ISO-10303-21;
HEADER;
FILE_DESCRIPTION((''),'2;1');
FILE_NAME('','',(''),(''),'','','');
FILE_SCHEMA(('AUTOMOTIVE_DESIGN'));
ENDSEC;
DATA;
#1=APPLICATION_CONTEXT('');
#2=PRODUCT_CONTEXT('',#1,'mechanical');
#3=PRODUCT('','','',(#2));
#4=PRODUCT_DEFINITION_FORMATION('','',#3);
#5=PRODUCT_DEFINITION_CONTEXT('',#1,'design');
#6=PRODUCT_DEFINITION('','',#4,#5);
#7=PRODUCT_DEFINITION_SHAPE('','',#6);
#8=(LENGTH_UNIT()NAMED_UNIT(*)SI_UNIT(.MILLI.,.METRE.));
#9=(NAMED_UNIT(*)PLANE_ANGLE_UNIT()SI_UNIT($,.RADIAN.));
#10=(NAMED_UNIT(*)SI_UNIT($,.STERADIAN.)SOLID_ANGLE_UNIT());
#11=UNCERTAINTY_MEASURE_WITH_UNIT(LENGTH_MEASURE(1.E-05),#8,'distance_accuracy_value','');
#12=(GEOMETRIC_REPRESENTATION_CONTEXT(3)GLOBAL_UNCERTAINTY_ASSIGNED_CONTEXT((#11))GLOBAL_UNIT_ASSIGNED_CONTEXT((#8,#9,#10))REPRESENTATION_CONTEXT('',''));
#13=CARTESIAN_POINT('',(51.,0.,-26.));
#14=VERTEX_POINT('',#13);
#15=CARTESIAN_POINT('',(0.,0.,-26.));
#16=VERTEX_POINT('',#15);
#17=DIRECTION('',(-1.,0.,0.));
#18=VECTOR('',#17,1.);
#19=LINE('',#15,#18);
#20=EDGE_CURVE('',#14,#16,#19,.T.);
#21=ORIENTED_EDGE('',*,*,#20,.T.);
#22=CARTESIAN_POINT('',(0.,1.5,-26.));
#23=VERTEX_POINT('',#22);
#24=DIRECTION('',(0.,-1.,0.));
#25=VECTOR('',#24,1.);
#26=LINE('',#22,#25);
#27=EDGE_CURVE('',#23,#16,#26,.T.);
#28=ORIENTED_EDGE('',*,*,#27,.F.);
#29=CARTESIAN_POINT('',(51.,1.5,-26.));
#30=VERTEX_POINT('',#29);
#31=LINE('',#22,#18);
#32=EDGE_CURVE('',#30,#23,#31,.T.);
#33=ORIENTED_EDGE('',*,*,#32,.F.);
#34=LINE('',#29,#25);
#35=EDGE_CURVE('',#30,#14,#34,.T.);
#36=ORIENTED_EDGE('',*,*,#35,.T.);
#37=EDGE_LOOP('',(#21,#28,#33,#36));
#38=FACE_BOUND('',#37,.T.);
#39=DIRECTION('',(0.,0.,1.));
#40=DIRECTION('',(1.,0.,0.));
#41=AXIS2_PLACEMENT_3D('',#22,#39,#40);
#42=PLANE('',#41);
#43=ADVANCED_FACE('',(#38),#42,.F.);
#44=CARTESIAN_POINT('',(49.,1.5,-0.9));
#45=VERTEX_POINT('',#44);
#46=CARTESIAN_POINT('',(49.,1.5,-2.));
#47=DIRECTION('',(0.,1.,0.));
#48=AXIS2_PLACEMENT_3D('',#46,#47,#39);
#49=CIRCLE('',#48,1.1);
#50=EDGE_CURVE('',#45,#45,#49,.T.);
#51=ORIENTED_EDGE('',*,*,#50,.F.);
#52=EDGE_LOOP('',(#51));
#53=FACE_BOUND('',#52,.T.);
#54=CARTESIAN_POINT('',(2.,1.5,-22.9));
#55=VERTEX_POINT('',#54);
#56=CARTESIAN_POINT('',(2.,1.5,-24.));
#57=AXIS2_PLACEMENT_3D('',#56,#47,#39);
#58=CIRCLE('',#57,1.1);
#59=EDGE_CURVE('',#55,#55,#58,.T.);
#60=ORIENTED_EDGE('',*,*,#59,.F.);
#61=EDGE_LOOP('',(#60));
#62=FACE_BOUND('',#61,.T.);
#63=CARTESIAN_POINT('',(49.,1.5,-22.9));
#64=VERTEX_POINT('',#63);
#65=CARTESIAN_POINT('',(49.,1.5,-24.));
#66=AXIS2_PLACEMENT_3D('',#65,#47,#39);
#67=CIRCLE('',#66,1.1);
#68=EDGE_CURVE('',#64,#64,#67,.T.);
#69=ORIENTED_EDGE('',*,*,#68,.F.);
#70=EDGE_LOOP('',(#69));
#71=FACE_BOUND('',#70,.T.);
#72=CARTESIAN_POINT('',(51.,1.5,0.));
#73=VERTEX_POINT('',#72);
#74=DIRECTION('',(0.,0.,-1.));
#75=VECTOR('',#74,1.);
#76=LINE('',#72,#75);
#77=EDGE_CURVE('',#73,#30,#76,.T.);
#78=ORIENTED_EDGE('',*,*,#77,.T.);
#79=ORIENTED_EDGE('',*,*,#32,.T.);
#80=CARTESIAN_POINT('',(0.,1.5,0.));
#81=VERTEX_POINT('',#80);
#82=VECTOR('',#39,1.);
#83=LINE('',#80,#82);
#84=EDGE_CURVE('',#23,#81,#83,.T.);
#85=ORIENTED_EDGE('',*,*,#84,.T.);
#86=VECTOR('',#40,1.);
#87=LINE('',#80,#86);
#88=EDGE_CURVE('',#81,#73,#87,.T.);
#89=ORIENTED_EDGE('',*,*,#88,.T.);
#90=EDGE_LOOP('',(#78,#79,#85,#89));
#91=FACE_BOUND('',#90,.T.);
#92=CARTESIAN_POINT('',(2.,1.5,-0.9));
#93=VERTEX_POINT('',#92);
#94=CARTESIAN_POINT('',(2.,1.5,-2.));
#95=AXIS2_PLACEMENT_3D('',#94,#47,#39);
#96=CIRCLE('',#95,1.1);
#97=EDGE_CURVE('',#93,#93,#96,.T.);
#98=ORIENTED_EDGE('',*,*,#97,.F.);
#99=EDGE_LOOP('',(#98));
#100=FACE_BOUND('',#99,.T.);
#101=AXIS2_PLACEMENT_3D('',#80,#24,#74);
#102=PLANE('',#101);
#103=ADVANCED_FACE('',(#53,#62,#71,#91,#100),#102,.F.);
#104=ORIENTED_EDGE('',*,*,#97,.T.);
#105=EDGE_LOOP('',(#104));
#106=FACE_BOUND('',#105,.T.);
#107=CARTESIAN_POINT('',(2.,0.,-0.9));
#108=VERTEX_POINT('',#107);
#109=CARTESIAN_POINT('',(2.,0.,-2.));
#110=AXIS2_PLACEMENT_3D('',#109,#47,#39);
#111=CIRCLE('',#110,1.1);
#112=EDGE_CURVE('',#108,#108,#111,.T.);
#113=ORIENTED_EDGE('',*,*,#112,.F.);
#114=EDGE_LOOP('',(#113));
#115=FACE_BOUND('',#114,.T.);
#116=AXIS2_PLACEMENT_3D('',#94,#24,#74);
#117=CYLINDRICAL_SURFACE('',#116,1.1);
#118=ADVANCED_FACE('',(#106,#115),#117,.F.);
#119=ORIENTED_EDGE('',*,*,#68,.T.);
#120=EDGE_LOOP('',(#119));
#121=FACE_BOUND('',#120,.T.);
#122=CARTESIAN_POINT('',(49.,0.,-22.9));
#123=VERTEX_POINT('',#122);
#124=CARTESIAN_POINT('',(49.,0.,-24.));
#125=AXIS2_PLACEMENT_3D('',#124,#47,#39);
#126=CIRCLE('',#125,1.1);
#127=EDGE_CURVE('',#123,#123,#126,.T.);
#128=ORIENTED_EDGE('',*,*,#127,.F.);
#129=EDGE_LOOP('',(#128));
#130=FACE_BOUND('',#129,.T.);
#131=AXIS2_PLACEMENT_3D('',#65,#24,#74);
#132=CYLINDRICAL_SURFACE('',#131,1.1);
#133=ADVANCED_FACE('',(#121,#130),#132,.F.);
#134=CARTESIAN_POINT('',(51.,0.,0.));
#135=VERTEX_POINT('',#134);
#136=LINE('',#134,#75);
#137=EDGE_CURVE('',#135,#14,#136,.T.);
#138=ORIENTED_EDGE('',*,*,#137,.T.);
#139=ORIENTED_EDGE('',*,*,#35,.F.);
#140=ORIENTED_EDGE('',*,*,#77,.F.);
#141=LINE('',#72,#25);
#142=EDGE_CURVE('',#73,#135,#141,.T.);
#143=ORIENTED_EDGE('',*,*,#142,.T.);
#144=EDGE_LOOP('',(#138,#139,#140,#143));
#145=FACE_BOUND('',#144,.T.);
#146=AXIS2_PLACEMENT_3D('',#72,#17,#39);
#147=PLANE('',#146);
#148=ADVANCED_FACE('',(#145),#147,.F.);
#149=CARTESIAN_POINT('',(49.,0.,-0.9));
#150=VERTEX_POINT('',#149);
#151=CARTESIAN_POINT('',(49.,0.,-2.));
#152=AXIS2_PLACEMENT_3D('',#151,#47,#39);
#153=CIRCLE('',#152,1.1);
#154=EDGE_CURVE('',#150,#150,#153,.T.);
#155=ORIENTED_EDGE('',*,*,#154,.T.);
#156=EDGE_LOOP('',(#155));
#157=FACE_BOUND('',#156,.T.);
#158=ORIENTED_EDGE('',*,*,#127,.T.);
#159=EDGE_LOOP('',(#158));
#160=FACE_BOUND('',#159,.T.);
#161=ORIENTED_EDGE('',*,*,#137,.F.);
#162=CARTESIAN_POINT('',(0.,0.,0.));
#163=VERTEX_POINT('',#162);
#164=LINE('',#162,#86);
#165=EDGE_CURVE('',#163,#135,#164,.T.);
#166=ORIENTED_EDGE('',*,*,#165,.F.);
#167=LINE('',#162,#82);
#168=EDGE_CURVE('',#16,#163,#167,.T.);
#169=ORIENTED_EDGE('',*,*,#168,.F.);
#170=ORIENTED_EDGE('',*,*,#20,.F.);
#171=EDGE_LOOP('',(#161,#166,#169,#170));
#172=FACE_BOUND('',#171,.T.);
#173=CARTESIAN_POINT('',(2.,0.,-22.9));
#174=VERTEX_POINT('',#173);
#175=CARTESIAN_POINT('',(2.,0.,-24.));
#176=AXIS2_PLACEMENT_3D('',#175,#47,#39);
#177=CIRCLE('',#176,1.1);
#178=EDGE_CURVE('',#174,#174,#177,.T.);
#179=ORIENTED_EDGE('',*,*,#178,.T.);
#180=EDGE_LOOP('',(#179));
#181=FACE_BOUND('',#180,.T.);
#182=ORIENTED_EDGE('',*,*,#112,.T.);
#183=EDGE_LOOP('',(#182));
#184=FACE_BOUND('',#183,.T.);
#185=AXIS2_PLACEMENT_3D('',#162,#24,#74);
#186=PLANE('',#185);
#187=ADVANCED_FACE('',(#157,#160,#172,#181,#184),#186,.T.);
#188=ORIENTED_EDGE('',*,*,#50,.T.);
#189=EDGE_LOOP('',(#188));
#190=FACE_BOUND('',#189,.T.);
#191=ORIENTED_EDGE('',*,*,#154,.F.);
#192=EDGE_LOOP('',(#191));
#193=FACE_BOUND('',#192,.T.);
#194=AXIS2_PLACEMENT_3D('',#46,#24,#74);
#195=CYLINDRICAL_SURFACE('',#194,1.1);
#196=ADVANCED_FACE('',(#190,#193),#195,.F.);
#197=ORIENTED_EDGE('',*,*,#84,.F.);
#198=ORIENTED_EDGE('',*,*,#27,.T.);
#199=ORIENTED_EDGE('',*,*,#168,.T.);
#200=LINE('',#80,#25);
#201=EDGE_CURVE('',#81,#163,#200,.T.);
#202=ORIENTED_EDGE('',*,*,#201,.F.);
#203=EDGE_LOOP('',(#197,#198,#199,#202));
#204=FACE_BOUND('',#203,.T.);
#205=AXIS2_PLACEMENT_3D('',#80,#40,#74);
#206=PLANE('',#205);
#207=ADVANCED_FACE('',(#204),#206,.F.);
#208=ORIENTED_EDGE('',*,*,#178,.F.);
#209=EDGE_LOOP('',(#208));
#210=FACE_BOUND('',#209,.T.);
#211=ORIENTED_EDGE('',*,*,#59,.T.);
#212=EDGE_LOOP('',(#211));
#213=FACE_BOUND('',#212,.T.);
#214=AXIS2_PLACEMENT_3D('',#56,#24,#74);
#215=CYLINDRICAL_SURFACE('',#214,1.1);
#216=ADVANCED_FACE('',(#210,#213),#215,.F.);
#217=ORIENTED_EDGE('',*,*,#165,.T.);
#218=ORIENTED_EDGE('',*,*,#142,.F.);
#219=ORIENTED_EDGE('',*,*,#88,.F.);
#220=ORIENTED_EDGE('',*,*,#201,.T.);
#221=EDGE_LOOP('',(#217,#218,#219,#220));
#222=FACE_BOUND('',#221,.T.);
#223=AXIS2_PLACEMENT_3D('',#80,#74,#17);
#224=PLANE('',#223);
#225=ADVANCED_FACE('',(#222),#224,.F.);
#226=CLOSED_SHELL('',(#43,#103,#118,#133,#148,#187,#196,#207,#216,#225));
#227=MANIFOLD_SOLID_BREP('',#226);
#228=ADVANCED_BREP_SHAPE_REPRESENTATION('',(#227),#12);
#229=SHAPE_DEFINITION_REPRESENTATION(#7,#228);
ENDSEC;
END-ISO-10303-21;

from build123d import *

# Parameters (mm, degrees)
SKETCH_1_W      = 51
SKETCH_1_H      = 26
SKETCH_1_R      = 1.1
EXTRUDE_1_DEPTH = 1.5


with BuildPart() as part:
    # Эскиз1 → Бобышка-Вытянуть1 (new body)
    with BuildSketch(Plane(origin=(0, 0, 0), x_dir=(1, 0, 0), z_dir=(0, 1, 0))):
        with Locations((25.5, 13)):
            Rectangle(SKETCH_1_W, SKETCH_1_H)
        with Locations((2, 2)):
            Circle(SKETCH_1_R, mode=Mode.SUBTRACT)
        with Locations((49, 2)):
            Circle(SKETCH_1_R, mode=Mode.SUBTRACT)
        with Locations((49, 24)):
            Circle(SKETCH_1_R, mode=Mode.SUBTRACT)
        with Locations((2, 24)):
            Circle(SKETCH_1_R, mode=Mode.SUBTRACT)
    extrude(amount=EXTRUDE_1_DEPTH)


solid = part.part
